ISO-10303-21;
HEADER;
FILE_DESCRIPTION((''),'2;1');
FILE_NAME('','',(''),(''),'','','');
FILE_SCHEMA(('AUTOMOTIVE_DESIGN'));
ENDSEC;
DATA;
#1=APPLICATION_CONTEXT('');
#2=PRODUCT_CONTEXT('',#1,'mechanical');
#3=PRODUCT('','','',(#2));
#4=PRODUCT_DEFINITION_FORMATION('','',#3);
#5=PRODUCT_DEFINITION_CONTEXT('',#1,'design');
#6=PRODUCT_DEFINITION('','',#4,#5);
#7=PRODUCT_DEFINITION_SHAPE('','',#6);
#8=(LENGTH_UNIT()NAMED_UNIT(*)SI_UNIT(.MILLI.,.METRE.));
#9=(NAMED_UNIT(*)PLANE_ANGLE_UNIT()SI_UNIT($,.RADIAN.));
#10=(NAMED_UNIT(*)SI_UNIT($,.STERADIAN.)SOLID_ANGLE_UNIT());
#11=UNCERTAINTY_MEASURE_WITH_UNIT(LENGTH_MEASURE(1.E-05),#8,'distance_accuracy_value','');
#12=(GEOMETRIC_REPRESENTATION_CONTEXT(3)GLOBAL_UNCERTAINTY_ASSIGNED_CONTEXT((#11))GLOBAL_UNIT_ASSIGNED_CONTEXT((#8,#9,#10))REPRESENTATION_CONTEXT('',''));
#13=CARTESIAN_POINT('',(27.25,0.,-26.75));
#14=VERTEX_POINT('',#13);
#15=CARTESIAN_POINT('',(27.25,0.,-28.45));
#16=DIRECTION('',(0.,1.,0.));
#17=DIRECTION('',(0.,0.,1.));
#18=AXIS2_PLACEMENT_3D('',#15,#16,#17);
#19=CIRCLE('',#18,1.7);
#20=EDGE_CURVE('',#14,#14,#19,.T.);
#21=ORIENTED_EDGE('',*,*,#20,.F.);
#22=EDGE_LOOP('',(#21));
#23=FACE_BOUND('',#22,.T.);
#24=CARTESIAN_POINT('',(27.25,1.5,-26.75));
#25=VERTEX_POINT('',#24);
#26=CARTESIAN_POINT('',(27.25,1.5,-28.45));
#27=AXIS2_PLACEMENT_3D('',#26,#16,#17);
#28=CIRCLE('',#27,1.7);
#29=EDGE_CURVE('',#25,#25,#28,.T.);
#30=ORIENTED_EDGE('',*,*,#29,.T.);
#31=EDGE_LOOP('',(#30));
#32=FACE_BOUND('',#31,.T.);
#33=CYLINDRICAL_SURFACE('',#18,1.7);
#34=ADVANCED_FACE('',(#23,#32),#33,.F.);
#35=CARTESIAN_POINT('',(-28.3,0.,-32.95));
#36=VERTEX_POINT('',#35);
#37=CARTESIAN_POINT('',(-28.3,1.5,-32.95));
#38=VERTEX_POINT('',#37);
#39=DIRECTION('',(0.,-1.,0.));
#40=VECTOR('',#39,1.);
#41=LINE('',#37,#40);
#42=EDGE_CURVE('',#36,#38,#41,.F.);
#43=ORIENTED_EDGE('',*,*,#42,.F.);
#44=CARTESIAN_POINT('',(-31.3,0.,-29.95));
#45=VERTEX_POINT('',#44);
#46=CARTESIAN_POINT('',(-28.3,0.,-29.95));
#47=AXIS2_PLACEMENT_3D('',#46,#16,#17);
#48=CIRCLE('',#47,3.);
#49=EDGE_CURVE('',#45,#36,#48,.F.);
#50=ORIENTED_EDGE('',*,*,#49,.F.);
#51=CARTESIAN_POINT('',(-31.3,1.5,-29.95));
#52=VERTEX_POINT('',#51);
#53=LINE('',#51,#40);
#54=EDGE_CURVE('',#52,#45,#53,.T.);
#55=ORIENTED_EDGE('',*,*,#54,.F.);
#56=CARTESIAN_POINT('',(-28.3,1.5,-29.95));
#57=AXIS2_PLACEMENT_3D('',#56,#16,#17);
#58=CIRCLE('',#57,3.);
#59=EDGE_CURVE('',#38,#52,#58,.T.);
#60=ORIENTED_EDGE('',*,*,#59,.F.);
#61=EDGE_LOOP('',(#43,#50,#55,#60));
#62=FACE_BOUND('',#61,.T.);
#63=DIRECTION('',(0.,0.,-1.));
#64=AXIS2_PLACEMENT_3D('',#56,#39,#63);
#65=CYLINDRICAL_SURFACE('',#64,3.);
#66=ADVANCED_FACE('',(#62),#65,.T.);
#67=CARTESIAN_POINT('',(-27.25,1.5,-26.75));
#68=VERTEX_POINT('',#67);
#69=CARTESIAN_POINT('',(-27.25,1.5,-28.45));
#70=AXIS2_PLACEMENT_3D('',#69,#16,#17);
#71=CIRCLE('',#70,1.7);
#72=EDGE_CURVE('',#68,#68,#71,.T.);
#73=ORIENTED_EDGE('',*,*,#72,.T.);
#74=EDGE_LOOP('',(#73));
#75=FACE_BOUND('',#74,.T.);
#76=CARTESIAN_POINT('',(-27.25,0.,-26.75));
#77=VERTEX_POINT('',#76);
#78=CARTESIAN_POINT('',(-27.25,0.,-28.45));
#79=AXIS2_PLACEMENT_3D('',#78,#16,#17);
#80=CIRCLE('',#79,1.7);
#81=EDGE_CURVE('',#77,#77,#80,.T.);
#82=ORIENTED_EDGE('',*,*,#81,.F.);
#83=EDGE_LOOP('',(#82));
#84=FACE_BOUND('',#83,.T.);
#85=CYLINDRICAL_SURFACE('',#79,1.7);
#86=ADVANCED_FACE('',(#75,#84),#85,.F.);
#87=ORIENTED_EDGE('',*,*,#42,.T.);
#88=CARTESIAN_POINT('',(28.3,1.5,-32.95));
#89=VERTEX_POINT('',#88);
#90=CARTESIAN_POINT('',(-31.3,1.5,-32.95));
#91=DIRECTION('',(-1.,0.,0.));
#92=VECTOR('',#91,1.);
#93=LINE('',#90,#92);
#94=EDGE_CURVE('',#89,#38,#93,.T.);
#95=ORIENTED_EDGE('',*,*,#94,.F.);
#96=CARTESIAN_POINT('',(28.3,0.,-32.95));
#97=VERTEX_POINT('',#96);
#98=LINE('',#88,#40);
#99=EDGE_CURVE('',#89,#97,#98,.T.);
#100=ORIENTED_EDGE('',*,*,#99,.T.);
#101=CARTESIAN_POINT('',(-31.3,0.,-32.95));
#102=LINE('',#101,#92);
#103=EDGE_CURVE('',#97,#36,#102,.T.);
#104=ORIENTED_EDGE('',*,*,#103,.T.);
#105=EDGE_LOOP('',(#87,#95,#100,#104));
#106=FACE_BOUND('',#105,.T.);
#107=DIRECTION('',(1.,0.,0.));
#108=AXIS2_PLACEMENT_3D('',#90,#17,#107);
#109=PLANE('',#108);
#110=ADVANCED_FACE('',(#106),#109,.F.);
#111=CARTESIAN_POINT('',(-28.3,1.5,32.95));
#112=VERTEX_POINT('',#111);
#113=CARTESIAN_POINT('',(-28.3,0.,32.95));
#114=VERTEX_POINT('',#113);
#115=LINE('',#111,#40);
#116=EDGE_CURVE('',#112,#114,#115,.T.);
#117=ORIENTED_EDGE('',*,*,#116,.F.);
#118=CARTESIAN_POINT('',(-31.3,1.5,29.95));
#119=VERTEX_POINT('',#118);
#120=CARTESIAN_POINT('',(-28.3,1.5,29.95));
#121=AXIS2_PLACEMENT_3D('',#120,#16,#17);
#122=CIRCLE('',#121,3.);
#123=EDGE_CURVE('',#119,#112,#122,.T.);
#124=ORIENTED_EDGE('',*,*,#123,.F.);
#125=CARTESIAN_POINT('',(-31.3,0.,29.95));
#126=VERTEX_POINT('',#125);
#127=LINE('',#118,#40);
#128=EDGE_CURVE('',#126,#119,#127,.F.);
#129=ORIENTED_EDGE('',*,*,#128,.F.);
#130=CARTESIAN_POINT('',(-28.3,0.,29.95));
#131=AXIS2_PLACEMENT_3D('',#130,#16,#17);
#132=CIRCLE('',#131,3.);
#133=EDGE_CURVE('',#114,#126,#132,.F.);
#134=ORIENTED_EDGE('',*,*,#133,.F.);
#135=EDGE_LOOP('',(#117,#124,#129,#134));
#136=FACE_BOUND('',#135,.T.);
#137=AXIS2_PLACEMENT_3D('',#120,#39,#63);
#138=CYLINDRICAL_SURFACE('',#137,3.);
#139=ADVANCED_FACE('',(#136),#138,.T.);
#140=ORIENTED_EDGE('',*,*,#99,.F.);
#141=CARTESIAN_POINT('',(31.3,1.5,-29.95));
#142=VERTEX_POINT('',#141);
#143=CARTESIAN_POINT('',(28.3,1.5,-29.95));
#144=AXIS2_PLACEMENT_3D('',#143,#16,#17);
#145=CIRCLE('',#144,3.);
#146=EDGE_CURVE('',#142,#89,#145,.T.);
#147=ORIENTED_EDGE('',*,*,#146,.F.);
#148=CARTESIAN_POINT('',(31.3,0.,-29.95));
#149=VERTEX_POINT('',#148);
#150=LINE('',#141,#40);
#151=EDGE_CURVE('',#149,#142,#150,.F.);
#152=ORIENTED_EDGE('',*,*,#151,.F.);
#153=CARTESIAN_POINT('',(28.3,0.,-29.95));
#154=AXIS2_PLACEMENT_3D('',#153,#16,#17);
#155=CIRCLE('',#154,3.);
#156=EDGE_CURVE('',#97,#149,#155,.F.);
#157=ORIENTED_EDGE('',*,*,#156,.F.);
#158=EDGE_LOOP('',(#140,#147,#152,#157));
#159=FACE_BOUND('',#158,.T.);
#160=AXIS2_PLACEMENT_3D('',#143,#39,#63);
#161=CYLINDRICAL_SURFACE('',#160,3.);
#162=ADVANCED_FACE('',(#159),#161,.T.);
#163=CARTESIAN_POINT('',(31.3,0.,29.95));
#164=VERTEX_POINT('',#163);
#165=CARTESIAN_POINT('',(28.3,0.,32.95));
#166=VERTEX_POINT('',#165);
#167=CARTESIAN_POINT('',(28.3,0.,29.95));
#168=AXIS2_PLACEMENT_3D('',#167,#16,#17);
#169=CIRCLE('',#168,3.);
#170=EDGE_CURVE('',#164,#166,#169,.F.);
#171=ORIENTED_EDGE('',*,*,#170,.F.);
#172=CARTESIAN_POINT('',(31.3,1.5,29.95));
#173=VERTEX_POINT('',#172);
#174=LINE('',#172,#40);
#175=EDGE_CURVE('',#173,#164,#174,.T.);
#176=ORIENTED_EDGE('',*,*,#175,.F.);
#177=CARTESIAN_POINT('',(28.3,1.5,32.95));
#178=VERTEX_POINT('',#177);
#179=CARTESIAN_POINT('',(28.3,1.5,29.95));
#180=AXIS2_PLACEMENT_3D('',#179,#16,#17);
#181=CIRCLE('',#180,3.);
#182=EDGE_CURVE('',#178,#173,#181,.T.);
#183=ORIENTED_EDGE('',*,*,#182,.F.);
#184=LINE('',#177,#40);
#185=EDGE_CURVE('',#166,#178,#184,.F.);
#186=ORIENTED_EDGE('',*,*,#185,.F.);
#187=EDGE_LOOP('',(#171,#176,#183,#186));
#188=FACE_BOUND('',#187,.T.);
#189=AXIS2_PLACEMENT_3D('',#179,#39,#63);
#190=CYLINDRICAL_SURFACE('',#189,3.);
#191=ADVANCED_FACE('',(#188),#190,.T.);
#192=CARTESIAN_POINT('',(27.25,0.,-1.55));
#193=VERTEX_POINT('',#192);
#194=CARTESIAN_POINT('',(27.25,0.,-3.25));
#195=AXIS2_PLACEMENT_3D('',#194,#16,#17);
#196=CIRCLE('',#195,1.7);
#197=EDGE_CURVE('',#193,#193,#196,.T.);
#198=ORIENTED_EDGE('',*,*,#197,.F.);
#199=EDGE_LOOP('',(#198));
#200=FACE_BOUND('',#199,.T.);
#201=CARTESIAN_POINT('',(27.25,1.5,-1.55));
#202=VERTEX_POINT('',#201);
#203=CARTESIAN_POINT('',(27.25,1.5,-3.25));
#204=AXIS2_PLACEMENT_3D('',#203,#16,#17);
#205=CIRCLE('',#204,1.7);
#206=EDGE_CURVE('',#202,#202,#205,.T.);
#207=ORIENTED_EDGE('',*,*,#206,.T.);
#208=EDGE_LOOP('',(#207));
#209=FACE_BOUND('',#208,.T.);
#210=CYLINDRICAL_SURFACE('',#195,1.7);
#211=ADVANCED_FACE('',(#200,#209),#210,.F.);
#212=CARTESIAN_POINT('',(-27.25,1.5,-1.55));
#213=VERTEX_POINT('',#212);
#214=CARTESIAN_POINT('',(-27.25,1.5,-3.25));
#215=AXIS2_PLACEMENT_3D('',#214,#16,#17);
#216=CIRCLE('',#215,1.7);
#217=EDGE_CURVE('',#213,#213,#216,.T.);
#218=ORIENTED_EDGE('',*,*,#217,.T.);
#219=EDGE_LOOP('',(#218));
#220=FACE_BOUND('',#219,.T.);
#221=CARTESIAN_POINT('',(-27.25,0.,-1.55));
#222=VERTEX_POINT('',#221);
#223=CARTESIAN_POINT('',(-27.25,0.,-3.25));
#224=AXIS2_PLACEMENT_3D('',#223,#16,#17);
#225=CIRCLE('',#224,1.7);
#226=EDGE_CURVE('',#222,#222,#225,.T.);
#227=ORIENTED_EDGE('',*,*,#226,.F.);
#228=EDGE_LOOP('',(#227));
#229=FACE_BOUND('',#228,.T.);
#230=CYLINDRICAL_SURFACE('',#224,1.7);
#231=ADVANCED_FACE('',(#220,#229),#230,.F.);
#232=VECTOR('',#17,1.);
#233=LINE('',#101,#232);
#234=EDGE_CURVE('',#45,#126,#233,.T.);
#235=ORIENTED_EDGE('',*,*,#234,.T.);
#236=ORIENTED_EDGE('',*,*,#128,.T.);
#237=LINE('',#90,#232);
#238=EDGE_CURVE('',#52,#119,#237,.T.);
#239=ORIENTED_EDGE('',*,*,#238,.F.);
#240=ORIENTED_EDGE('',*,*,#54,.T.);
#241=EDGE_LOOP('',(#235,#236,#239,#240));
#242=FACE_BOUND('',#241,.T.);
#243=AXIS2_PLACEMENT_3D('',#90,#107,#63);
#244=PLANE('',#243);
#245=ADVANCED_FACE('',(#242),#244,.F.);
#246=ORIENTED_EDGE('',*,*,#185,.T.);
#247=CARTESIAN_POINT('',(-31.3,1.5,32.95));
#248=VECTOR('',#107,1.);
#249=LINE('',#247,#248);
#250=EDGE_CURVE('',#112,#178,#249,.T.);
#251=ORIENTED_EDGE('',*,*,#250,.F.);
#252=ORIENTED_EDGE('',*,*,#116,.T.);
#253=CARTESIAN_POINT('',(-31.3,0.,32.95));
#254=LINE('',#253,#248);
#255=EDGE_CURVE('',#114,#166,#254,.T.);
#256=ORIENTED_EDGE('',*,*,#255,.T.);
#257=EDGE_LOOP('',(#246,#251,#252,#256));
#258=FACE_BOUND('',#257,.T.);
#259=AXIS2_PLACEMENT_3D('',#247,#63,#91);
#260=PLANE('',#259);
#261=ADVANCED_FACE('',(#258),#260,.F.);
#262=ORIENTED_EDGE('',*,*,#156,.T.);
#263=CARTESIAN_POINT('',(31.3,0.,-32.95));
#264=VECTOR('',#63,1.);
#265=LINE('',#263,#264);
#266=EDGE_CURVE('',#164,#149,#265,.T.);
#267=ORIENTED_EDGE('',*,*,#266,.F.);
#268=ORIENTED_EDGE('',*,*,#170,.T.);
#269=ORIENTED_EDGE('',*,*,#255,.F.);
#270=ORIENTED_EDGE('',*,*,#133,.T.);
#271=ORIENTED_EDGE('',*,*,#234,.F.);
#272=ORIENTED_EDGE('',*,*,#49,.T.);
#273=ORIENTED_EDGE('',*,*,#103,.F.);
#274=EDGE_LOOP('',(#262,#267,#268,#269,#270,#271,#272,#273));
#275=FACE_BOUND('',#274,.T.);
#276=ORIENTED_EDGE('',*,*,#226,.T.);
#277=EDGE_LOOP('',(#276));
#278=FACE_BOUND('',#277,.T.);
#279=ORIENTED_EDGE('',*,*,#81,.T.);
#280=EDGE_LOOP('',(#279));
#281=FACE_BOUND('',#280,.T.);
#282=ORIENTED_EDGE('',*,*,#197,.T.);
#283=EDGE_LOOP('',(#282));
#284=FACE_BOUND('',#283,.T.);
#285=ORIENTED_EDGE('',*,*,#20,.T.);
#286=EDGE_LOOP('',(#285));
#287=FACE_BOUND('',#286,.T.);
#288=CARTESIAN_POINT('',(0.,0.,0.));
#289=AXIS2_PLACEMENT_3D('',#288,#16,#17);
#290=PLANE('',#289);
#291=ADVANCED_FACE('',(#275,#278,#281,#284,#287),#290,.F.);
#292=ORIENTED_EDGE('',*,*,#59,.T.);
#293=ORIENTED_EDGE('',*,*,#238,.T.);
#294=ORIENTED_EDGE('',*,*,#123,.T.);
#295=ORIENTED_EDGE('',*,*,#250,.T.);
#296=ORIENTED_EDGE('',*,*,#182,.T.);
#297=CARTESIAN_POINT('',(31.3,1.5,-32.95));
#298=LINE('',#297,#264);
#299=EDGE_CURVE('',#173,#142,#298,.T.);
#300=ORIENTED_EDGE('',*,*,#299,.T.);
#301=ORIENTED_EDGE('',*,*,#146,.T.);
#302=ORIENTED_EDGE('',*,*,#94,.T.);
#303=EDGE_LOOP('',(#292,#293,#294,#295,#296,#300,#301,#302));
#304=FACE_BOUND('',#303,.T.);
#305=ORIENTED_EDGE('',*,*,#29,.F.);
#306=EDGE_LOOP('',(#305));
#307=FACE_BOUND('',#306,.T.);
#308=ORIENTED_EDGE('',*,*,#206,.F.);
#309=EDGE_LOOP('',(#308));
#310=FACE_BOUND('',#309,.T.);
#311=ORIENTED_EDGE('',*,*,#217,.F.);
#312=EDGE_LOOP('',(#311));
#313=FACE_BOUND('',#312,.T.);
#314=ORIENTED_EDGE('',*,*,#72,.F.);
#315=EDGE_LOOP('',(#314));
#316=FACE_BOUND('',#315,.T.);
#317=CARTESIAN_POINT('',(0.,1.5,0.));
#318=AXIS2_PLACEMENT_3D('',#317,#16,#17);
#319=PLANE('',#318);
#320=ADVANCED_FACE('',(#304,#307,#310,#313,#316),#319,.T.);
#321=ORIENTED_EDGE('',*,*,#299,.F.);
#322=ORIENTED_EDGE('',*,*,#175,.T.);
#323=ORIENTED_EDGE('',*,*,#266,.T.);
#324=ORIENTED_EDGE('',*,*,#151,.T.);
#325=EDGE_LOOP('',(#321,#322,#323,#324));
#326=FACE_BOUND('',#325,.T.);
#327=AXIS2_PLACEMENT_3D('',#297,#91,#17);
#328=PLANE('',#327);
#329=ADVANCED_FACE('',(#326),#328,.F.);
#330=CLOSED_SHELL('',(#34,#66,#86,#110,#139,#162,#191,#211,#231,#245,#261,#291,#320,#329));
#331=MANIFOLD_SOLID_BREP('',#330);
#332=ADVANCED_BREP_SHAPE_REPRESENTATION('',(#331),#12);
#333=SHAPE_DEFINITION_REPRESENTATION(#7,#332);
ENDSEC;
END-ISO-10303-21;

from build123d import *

# Parameters (mm, degrees)
ESQUISSE1_W             = 62.6
ESQUISSE1_H             = 65.9
BOSS_EXTRU_1_DEPTH      = 1.5
CONG_1_R                = 3
ESQUISSE2_R             = 1.7
ENL_V_MAT_EXTRU_1_DEPTH = 46.471337126


with BuildPart() as part:
    # Esquisse1 → Boss.-Extru.1 (new body)
    with BuildSketch(Plane(origin=(0, 0, 0), x_dir=(1, 0, 0), z_dir=(0, 1, 0))):
        Rectangle(ESQUISSE1_W, ESQUISSE1_H)
    extrude(amount=BOSS_EXTRU_1_DEPTH)

    # Congé1
    cong_1_edges = [part.edges().sort_by_distance(p)[0] for p in [
        (31.3, 0.75, 32.95),
        (-31.3, 0.75, 32.95),
        (-31.3, 0.75, -32.95),
        (31.3, 0.75, -32.95),
    ]]
    fillet(cong_1_edges, radius=CONG_1_R)

    # Esquisse2 → Enlèv. mat.-Extru.1 (cut, through all)
    with BuildSketch(Plane(origin=(0, 1.5, 0), x_dir=(1, 0, 0), z_dir=(0, 1, 0))):
        with Locations(Location((-27.25, 28.45, 0), (0, 0, 270))):
            Circle(ESQUISSE2_R)
        with Locations(Location((-27.25, 3.25, 0), (0, 0, 270))):
            Circle(ESQUISSE2_R)
        with Locations(Location((27.25, 28.45, 0), (0, 0, 270))):
            Circle(ESQUISSE2_R)
        with Locations(Location((27.25, 3.25, 0), (0, 0, 270))):
            Circle(ESQUISSE2_R)
    extrude(amount=-ENL_V_MAT_EXTRU_1_DEPTH, mode=Mode.SUBTRACT)


solid = part.part
